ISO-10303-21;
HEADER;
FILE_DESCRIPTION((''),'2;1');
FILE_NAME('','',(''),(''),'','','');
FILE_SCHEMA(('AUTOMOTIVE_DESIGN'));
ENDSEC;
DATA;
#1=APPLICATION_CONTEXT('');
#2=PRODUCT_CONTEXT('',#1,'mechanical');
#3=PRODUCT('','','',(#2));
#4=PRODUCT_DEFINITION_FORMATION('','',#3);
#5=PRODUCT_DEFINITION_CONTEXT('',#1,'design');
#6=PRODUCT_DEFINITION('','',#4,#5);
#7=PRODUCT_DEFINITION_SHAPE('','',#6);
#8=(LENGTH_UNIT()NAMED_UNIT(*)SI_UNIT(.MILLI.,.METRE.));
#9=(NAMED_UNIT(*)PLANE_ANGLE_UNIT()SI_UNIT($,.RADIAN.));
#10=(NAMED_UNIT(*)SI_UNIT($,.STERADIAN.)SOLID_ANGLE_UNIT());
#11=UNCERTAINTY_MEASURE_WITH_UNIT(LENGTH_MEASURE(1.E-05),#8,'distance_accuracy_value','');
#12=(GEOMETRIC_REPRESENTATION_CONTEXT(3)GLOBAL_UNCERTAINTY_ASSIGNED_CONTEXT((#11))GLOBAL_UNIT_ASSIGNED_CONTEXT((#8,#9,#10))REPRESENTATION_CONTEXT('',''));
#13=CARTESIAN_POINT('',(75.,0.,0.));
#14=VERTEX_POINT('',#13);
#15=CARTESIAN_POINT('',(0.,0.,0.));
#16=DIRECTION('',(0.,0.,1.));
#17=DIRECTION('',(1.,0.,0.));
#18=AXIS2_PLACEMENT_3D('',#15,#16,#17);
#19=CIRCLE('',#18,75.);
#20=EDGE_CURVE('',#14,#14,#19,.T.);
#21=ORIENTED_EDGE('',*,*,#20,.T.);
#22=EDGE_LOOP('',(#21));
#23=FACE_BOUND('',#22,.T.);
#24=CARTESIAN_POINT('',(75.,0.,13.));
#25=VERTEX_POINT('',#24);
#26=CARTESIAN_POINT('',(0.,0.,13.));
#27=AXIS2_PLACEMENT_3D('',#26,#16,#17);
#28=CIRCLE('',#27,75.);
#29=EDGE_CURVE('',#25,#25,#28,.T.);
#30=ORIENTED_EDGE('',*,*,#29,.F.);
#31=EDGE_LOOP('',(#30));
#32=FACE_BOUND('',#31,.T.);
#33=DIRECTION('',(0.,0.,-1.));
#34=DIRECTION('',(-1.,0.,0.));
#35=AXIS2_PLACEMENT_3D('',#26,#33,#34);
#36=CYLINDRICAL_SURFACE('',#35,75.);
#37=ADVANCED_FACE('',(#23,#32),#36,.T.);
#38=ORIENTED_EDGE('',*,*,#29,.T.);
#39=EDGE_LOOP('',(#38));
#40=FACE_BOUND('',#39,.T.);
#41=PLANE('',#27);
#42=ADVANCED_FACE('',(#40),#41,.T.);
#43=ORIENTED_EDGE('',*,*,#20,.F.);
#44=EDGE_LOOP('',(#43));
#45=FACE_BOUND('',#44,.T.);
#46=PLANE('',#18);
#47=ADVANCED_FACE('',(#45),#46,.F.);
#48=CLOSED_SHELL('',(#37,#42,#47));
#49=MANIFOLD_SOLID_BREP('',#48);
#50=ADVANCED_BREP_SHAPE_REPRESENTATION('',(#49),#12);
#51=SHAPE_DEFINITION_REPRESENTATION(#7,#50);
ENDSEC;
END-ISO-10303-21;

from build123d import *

# Parameters (mm, degrees)
SKETCH1_R           = 75
BOSS_EXTRUDE1_DEPTH = 13


with BuildPart() as part:
    # Sketch1 → Boss-Extrude1 (new body)
    with BuildSketch(Plane.XY):
        Circle(SKETCH1_R)
    extrude(amount=BOSS_EXTRUDE1_DEPTH)


solid = part.part
